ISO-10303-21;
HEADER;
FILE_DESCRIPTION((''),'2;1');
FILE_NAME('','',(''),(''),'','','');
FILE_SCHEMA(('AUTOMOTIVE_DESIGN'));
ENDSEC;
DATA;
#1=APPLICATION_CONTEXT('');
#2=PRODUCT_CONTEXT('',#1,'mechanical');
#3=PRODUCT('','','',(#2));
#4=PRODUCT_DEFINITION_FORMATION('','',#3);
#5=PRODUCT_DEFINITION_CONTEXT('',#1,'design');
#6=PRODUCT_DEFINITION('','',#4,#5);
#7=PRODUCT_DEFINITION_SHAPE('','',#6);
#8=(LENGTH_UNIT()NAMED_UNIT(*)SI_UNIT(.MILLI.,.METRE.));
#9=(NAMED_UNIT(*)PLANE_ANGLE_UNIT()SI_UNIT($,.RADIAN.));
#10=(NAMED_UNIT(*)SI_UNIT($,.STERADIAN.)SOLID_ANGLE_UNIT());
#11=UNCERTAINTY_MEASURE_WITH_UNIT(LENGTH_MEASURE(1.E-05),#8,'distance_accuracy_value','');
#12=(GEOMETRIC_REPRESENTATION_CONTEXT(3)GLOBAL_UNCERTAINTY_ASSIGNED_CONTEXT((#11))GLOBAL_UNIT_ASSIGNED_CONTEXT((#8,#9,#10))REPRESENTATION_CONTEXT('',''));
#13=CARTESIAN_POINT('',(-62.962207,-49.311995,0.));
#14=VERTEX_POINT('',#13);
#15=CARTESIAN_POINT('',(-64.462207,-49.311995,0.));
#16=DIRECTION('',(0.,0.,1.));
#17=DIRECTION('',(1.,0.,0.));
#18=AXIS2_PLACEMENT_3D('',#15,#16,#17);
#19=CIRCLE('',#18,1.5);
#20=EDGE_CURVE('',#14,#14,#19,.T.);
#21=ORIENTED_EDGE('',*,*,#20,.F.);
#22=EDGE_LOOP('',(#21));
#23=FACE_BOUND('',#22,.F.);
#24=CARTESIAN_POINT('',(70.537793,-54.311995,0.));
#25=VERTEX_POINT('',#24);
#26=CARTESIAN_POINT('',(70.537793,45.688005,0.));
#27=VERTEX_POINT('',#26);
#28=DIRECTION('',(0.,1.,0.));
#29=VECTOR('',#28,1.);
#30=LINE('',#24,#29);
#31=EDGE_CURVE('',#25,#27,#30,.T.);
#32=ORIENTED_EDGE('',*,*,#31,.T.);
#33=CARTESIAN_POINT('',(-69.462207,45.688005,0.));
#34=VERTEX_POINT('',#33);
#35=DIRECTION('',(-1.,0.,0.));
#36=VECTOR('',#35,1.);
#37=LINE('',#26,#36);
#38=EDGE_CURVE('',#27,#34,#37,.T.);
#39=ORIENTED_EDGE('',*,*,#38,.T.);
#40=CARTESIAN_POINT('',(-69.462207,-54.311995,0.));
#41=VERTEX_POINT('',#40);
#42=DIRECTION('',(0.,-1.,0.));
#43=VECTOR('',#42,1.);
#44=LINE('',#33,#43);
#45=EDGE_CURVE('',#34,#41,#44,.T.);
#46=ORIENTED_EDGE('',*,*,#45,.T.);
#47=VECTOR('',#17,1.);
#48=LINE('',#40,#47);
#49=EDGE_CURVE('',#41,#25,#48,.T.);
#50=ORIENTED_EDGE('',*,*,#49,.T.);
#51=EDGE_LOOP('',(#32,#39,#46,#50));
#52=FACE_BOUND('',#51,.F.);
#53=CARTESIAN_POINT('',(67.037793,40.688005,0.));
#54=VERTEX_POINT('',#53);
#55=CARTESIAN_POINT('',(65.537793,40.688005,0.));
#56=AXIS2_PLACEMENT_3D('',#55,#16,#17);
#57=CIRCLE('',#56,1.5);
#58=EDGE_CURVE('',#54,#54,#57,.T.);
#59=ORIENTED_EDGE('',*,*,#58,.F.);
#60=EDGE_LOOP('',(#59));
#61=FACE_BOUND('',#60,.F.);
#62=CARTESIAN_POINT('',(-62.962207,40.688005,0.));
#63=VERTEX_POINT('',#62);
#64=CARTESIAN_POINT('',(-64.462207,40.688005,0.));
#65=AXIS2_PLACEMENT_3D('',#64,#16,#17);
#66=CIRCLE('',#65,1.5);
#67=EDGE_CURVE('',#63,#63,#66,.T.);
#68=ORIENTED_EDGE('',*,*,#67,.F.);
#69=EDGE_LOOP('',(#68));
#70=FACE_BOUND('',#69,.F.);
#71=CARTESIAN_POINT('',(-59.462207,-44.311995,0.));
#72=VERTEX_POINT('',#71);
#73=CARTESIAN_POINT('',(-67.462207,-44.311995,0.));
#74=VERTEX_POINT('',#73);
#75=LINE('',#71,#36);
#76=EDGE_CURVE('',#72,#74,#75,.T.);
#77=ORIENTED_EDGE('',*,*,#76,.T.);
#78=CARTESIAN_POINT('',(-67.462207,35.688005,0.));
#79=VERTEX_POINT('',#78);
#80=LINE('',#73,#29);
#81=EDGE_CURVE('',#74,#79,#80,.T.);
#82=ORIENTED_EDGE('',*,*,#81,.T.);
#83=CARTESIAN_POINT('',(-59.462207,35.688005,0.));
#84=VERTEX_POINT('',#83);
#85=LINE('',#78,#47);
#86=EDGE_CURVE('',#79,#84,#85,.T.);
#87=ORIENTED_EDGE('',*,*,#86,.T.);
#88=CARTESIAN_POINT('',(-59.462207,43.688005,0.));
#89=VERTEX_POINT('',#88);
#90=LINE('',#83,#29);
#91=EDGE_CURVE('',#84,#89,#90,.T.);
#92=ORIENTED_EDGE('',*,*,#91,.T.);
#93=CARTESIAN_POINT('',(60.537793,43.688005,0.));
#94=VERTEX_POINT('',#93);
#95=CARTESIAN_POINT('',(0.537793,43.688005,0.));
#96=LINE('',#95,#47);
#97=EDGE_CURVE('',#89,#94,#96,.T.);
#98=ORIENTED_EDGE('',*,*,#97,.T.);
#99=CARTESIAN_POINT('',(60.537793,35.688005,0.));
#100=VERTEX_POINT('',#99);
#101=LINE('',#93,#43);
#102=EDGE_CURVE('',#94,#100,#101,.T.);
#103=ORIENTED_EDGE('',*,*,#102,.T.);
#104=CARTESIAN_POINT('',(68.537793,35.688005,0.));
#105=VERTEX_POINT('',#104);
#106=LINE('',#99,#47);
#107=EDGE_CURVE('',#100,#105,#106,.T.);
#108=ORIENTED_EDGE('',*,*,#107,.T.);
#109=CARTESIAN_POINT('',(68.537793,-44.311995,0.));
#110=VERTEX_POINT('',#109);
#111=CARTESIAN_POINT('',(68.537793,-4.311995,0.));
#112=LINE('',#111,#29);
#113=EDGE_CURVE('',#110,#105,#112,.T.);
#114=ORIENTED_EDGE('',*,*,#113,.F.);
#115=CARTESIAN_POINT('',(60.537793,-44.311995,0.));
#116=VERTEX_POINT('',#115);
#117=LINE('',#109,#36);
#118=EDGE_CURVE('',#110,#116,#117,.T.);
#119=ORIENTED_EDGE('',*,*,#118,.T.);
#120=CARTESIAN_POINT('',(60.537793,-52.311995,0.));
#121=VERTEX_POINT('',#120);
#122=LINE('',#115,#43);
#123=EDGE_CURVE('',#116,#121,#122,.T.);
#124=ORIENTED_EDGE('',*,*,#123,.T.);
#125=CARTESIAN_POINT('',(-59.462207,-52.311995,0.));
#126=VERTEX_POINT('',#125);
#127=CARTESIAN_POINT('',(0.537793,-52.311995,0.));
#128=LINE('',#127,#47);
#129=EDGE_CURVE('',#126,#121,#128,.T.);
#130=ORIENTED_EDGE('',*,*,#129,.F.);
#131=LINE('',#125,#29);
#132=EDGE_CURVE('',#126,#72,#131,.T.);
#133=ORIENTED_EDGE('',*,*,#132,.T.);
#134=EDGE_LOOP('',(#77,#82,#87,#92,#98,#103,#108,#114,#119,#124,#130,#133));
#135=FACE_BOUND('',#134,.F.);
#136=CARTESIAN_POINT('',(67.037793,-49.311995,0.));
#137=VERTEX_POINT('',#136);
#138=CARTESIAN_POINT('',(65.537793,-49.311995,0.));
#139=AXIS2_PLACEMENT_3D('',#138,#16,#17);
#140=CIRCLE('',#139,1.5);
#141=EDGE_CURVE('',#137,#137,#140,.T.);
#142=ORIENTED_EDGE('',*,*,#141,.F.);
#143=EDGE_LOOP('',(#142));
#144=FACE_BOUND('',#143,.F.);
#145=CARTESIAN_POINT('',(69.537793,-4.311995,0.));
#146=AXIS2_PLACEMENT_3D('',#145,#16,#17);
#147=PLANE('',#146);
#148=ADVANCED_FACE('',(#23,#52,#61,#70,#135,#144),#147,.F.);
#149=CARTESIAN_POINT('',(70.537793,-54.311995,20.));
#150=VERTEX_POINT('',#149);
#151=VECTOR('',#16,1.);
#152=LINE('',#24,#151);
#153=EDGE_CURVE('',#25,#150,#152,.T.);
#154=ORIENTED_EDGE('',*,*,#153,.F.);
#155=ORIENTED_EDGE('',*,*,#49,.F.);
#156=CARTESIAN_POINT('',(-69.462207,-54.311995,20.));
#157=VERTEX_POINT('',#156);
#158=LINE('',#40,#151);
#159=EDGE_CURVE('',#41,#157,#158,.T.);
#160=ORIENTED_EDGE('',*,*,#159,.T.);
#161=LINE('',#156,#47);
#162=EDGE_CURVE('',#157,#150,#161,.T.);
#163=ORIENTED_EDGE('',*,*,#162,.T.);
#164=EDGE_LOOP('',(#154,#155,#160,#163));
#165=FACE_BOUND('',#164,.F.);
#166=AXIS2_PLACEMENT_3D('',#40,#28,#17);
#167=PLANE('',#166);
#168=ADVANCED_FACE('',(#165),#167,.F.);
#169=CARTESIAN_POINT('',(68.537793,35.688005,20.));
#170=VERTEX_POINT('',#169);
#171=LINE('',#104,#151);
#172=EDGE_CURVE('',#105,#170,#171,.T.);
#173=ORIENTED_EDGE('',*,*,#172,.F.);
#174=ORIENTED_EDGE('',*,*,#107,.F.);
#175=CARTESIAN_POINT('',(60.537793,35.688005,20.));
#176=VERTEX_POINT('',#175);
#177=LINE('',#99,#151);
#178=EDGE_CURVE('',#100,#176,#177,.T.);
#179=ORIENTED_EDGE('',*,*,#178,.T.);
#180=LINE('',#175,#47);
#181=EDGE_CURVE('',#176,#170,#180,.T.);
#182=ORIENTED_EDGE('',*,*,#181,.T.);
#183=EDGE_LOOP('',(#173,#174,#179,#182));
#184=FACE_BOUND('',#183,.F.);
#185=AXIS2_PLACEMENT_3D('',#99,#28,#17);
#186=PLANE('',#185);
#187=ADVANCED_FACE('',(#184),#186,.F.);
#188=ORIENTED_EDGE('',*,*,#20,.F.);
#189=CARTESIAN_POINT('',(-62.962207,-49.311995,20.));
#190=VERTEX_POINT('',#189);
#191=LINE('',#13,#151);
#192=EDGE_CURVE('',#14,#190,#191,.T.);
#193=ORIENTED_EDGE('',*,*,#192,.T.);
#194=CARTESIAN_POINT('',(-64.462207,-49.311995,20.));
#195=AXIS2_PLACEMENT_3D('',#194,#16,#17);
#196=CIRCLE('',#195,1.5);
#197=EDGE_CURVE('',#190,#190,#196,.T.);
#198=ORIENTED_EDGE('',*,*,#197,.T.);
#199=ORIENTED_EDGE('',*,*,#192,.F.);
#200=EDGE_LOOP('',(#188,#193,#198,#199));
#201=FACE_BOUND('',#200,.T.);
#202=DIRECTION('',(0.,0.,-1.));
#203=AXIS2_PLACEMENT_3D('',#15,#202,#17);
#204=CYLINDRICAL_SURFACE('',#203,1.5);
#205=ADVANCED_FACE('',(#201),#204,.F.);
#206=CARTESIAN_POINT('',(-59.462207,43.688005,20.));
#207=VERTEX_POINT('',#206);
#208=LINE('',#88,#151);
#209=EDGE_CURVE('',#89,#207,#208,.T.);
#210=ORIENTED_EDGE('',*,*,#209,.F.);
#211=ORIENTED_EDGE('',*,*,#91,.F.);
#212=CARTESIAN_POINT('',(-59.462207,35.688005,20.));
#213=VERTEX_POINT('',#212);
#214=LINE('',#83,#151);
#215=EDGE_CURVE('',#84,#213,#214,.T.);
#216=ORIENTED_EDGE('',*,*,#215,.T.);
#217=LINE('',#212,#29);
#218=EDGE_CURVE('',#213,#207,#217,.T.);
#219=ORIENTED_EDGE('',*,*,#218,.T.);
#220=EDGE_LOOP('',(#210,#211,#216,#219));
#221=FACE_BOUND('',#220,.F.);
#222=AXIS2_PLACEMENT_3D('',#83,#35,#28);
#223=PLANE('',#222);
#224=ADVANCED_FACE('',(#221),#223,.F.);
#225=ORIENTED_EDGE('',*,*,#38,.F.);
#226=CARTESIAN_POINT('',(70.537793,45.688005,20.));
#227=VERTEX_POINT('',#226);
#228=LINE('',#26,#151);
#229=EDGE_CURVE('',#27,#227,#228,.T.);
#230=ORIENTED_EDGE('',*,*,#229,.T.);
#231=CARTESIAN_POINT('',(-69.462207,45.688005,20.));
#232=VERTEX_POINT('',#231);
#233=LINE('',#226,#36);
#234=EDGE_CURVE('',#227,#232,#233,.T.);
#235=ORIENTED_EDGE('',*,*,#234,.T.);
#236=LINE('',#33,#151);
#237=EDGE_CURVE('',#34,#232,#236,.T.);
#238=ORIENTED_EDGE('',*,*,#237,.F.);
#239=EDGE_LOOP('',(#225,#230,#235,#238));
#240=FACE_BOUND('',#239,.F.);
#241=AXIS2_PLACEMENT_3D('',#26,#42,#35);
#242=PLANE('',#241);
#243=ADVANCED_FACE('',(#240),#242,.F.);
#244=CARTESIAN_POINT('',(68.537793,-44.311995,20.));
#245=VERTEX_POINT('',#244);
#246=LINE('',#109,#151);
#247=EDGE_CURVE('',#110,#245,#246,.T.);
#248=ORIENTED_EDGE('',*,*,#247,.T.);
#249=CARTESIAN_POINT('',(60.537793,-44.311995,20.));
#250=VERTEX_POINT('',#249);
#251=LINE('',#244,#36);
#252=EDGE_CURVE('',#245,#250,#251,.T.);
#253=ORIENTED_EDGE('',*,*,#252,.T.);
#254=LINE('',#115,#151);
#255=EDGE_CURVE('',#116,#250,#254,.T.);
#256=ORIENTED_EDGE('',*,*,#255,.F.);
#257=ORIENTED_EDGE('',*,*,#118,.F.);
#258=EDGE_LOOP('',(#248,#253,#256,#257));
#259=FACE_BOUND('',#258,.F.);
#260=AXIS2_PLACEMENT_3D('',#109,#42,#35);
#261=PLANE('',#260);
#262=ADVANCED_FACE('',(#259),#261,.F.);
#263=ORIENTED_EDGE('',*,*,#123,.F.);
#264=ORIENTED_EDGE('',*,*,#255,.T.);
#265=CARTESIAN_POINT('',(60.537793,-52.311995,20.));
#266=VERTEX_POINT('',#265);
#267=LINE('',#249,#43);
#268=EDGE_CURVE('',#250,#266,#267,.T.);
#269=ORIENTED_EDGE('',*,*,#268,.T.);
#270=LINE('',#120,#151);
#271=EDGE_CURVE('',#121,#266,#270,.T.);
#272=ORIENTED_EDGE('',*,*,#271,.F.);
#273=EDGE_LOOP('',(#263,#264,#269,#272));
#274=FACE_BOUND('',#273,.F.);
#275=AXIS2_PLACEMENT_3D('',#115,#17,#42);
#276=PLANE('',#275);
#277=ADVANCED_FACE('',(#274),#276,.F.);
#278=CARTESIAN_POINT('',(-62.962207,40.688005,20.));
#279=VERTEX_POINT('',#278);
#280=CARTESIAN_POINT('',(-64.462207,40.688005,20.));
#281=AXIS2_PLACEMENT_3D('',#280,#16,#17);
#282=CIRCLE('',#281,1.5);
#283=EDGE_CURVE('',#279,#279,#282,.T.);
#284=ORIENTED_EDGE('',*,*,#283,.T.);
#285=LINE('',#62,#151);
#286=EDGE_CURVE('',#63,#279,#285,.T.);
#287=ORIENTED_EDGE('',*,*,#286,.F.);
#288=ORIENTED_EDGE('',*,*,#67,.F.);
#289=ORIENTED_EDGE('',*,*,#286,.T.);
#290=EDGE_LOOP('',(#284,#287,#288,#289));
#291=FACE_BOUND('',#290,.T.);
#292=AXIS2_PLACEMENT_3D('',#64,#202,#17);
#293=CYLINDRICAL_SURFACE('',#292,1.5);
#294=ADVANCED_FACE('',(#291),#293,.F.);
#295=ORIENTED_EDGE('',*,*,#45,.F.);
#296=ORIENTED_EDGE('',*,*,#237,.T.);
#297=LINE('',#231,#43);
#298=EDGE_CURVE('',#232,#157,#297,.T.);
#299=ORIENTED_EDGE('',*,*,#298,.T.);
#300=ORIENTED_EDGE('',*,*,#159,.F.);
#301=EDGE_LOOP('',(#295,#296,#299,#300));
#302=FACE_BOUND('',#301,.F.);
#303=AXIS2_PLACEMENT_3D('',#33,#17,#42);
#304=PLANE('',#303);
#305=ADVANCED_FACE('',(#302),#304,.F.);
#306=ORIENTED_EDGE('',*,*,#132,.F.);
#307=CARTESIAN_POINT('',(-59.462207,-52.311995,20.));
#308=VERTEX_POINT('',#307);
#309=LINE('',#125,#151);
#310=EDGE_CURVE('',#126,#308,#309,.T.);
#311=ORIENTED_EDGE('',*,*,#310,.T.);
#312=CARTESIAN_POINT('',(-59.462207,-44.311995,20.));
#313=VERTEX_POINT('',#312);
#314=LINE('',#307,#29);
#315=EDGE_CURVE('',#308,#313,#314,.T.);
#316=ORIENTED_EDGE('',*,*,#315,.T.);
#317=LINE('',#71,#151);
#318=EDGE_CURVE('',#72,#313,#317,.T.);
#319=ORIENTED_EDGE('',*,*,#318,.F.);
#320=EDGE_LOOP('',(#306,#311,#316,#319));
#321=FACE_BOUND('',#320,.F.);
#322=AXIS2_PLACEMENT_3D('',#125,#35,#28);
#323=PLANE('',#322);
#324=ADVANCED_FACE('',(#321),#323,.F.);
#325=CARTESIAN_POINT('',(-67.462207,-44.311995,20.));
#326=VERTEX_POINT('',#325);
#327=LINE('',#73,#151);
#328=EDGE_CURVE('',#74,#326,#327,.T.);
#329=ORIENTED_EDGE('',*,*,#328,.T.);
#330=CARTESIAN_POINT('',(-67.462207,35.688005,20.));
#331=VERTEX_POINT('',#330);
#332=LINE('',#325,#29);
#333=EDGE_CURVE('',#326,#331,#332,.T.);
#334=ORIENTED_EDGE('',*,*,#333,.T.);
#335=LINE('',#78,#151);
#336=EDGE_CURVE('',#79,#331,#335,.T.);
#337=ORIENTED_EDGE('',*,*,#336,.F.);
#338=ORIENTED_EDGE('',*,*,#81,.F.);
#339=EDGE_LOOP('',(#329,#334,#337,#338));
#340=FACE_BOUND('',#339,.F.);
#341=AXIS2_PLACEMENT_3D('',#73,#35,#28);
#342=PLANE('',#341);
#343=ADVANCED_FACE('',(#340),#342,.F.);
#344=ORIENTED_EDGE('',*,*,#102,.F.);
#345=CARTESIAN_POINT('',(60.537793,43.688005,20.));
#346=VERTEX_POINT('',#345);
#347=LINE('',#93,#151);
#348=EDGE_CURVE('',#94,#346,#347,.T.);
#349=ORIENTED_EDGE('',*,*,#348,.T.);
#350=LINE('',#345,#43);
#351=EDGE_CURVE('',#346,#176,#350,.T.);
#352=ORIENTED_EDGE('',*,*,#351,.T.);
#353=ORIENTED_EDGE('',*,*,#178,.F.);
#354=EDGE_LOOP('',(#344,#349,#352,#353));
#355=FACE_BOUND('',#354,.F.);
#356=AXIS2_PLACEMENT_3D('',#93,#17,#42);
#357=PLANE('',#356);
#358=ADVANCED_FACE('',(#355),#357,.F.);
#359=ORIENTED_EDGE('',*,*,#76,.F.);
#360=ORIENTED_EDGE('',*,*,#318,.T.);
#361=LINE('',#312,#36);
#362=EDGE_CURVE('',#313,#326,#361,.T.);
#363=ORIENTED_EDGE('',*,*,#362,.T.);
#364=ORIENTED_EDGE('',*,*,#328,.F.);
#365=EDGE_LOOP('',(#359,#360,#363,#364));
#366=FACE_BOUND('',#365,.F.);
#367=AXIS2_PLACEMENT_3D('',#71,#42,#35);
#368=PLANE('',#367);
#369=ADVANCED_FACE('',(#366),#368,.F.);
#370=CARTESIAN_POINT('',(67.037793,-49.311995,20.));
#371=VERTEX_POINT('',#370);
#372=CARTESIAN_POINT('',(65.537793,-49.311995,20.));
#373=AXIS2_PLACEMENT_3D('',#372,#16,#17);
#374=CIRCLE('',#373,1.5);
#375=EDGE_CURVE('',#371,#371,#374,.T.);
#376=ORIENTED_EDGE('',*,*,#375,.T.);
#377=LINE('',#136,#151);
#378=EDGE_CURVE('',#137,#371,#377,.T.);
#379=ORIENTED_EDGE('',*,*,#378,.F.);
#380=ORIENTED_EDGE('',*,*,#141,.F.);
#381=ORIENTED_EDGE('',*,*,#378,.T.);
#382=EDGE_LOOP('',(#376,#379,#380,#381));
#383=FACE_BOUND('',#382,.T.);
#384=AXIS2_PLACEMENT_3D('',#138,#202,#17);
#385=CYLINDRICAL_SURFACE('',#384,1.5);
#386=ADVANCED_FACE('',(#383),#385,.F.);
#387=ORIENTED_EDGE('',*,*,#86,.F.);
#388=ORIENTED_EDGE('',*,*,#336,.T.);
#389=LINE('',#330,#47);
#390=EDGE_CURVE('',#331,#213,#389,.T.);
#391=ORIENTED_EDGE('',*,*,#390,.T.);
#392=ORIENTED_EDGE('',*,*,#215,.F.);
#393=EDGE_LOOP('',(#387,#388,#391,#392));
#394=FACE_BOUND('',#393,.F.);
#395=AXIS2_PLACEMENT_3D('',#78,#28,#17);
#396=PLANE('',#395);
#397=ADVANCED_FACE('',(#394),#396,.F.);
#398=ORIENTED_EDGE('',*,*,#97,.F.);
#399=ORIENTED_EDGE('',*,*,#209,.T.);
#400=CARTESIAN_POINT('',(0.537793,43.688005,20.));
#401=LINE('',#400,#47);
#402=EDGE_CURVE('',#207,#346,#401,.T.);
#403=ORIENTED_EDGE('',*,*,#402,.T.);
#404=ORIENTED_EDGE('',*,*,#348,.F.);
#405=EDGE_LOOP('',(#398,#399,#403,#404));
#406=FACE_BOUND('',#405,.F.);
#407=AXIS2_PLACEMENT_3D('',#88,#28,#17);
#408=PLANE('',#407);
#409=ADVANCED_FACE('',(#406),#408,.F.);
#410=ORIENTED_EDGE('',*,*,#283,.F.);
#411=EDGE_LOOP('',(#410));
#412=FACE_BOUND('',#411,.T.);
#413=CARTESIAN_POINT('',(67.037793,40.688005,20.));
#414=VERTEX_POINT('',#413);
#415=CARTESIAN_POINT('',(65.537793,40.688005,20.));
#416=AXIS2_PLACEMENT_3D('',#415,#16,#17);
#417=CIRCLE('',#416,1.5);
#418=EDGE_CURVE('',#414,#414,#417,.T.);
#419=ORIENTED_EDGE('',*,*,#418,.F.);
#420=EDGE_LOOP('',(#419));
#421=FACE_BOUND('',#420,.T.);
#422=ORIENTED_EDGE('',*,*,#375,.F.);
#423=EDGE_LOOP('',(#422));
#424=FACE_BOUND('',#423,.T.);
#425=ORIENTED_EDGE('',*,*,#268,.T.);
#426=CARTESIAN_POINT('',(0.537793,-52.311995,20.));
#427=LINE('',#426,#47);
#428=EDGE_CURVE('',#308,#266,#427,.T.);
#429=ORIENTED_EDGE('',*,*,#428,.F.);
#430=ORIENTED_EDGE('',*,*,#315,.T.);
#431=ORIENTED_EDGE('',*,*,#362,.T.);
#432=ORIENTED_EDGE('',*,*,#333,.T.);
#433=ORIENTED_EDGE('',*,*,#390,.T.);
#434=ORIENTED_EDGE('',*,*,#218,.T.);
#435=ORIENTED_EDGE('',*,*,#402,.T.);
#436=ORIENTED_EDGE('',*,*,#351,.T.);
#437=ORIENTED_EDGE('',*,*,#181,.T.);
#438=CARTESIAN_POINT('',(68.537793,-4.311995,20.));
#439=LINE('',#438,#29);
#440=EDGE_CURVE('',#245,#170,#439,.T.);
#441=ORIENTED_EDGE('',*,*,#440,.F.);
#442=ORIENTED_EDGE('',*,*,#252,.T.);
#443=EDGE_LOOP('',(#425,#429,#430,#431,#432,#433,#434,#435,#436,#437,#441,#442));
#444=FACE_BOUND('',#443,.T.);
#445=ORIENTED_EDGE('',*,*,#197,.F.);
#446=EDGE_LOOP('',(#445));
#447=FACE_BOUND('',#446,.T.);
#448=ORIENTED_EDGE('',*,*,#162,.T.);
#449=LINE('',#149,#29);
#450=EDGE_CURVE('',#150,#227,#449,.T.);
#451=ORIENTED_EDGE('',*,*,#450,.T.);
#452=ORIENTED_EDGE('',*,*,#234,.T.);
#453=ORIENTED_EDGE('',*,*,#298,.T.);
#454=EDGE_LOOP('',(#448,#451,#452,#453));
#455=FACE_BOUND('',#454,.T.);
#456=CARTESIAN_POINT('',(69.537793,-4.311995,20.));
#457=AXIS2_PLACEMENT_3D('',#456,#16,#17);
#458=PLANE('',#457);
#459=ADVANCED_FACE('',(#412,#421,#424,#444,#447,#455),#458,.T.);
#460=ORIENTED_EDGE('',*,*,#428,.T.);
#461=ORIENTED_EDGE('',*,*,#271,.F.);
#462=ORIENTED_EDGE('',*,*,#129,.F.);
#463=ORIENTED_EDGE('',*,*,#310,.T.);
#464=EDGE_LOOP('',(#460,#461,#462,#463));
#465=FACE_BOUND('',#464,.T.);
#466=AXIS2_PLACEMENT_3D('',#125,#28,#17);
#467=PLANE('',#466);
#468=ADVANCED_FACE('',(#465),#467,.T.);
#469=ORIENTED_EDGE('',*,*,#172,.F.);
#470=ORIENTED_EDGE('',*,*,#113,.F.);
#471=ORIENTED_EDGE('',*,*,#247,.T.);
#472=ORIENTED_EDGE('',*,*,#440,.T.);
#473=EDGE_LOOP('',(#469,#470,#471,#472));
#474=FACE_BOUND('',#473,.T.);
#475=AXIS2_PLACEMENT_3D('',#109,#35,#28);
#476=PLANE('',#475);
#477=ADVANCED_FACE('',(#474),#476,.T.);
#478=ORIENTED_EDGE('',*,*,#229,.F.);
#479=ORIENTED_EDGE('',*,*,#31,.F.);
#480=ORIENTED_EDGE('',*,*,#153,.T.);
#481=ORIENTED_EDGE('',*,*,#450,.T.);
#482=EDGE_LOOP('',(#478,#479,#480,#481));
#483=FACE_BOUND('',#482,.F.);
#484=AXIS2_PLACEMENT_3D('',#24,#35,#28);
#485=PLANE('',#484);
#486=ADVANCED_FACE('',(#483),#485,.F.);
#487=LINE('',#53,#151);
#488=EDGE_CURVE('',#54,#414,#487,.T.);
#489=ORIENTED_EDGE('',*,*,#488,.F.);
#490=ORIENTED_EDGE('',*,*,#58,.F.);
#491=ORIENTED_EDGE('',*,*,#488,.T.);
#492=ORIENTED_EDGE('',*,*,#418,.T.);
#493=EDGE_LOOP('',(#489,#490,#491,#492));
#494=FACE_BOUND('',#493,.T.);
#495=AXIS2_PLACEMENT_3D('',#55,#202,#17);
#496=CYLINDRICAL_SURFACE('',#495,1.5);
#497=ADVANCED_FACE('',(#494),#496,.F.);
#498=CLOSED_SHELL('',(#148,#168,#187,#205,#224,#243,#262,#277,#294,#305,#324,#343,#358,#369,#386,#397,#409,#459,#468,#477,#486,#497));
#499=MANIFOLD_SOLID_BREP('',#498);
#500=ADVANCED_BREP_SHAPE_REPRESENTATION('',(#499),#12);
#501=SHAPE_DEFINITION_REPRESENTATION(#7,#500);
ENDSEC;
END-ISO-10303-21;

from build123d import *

# Parameters (mm, degrees)
F0_W     = 2
F0_H     = 80
F0_R     = 1.5
F0_W_2   = 120
F0_H_2   = 2
F0_H_3   = 40
F1_DEPTH = 20


with BuildPart() as f1:
    # F0 (on Top) → F1 (new body)
    with BuildSketch(Plane.XY):
        with Locations((69.537793, -4.311995)):
            Rectangle(F0_W, F0_H)
        Polygon((70.537793, -54.311995), (70.537793, -44.311995), (68.537793, -44.311995), (60.537793, -44.311995), (60.537793, -52.311995), (60.537793, -54.311995), align=None)
        with Locations((65.537793, -49.311995)):
            Circle(F0_R, mode=Mode.SUBTRACT)
        with Locations((0.537793, -53.311995)):
            Rectangle(F0_W_2, F0_H_2)
        with Locations((-68.462207, -24.311995)):
            Rectangle(F0_W, F0_H_3)
        Polygon((-67.462207, -44.311995), (-69.462207, -44.311995), (-69.462207, -54.311995), (-59.462207, -54.311995), (-59.462207, -52.311995), (-59.462207, -44.311995), align=None)
        with Locations((-64.462207, -49.311995)):
            Circle(F0_R, mode=Mode.SUBTRACT)
        with Locations((-68.462207, 15.688005)):
            Rectangle(F0_W, F0_H_3)
        Polygon((-59.462207, 45.688005), (-69.462207, 45.688005), (-69.462207, 35.688005), (-67.462207, 35.688005), (-59.462207, 35.688005), (-59.462207, 43.688005), align=None)
        with Locations((-64.462207, 40.688005)):
            Circle(F0_R, mode=Mode.SUBTRACT)
        with Locations((0.537793, 44.688005)):
            Rectangle(F0_W_2, F0_H_2)
        Polygon((70.537793, 45.688005), (60.537793, 45.688005), (60.537793, 43.688005), (60.537793, 35.688005), (68.537793, 35.688005), (70.537793, 35.688005), align=None)
        with Locations((65.537793, 40.688005)):
            Circle(F0_R, mode=Mode.SUBTRACT)
    extrude(amount=F1_DEPTH)


solid = f1.part
